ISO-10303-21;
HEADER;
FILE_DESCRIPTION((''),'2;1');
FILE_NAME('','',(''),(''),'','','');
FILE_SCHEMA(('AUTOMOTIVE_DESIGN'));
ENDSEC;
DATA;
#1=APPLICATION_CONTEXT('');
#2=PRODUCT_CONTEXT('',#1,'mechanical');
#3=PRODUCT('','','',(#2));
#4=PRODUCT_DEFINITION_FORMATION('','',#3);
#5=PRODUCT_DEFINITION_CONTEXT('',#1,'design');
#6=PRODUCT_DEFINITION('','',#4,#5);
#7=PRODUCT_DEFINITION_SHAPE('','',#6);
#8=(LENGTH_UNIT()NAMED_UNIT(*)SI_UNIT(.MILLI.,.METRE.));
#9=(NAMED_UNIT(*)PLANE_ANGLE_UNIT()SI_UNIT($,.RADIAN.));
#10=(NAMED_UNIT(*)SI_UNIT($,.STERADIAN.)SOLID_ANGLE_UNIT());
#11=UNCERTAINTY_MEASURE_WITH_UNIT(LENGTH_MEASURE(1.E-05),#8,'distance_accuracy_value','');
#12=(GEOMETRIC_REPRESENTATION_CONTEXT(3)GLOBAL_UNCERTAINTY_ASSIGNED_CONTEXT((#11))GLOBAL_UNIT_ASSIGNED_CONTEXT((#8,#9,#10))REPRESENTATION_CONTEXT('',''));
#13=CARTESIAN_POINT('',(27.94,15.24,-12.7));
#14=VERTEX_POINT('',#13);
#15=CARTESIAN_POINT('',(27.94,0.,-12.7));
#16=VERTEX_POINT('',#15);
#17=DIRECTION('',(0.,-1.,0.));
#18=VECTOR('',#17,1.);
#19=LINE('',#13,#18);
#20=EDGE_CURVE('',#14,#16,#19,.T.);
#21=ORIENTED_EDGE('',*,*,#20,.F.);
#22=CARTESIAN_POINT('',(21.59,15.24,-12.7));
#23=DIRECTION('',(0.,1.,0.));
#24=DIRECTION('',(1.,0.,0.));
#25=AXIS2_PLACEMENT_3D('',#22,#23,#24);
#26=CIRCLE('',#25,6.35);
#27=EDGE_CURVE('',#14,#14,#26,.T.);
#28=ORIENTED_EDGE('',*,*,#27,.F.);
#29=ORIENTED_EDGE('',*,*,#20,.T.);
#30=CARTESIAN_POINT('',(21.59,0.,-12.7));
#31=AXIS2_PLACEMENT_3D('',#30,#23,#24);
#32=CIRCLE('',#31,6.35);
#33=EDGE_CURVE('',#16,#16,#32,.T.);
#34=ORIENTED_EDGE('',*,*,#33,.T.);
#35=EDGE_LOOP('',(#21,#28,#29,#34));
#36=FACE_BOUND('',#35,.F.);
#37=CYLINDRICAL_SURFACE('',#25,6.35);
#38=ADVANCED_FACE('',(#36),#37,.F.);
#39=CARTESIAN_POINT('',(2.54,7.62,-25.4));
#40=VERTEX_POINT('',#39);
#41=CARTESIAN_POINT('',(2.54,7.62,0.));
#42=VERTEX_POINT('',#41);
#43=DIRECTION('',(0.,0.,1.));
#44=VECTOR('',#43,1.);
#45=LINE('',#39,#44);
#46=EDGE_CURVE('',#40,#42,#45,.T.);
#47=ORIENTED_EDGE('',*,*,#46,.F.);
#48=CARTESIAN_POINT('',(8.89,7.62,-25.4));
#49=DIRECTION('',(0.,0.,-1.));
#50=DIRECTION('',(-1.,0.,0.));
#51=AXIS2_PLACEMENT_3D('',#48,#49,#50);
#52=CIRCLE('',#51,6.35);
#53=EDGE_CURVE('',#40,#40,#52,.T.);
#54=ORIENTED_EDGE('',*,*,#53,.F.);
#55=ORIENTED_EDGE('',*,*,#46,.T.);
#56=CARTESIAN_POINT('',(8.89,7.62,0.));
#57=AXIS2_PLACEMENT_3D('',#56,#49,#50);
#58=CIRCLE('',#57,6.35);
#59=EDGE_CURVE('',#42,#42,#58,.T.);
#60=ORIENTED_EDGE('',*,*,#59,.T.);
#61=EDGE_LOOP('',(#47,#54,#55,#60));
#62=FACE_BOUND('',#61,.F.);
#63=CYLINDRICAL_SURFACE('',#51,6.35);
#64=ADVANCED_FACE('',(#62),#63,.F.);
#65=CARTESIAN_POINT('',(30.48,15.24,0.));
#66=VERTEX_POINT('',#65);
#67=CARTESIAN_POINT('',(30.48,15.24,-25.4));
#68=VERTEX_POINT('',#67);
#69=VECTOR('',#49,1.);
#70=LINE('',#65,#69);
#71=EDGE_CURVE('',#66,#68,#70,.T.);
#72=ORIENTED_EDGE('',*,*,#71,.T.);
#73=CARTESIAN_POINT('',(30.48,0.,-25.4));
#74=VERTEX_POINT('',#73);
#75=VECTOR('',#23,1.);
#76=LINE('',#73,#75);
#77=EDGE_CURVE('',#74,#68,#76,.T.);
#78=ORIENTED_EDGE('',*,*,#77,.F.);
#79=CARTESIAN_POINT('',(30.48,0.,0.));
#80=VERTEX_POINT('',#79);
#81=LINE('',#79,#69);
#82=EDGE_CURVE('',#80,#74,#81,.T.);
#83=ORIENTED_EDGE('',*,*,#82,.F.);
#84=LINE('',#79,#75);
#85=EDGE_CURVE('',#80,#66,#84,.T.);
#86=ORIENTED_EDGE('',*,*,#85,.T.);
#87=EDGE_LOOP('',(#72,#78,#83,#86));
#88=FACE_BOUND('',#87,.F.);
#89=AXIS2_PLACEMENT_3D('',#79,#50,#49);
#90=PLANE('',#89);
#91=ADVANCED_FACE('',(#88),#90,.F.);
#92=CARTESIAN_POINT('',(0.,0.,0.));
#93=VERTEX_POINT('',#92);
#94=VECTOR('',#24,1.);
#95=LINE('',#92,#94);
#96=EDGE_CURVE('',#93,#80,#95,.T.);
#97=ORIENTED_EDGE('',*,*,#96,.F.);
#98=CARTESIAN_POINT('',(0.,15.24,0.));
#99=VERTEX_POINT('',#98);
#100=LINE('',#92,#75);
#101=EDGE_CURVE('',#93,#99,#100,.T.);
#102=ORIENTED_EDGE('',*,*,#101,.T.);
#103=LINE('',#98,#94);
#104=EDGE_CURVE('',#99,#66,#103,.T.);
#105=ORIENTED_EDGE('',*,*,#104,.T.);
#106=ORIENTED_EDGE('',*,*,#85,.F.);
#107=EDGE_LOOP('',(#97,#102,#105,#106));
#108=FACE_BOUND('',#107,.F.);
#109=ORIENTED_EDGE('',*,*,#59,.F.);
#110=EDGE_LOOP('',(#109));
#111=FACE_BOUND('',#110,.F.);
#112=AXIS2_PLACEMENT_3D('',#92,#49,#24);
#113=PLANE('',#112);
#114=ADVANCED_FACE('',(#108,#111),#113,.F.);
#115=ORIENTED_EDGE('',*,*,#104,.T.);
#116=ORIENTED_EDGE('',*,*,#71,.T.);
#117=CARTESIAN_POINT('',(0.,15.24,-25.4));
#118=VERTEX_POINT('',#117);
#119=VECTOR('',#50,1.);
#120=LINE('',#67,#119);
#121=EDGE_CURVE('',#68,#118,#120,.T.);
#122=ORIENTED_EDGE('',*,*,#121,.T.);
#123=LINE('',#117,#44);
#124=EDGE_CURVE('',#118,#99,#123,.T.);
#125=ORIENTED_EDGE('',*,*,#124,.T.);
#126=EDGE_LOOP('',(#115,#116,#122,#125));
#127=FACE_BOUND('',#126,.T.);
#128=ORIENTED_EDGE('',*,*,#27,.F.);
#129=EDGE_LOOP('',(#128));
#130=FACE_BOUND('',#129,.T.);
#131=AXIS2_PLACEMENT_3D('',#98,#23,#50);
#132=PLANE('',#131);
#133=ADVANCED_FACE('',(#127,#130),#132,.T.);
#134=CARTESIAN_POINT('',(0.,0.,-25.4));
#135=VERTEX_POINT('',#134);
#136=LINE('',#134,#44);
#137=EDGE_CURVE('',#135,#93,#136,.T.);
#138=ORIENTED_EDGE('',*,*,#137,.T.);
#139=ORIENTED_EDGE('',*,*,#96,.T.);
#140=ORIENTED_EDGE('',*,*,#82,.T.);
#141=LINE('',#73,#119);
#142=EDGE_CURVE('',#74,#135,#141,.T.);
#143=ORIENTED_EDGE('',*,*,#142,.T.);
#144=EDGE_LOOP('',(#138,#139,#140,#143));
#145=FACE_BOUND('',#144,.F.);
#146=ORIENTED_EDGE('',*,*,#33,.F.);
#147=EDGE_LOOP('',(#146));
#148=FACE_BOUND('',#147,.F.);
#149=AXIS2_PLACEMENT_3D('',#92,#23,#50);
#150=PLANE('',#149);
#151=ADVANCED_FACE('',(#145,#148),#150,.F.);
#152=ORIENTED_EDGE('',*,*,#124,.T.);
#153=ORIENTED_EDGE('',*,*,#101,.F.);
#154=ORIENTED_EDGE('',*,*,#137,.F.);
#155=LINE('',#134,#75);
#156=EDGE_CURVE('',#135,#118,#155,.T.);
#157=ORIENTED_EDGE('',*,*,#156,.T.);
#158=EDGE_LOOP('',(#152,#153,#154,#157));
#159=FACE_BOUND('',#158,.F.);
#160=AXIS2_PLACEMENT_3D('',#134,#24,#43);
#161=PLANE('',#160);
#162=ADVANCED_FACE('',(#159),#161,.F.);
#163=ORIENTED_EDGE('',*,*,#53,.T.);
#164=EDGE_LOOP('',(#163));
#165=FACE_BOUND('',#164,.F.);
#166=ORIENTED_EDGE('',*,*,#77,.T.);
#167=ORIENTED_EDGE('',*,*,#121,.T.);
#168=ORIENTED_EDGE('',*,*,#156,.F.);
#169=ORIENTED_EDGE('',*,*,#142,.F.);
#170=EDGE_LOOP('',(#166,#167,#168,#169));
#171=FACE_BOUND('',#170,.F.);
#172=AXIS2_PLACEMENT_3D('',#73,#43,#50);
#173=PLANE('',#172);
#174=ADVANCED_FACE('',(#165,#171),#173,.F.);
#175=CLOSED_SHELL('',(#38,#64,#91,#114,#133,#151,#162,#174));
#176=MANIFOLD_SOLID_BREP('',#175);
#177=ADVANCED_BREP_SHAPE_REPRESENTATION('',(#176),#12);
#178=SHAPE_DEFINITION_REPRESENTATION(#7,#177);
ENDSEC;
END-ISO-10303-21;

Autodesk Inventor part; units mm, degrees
ref_plane "YZ Plane" through (0, 0, 0) normal (1, 0, 0) x (0, 1, 0)
ref_plane "XZ Plane" through (0, 0, 0) normal (0, 1, 0) x (-1, 0, 0)
ref_plane "XY Plane" through (0, 0, 0) normal (0, 0, 1) x (1, 0, 0)
sketch "Sketch1" plane through (0, 0, 0) normal (0, 1, 0) x (-1, 0, 0)
  line L0 (0, 0) -> (-30.48, 0)
  line L1 (-30.48, 0) -> (-30.48, -25.4)
  line L2 (-30.48, -25.4) -> (0, -25.4)
  line L3 (0, -25.4) -> (0, 0)
  dimension "d0" = 30.48
  dimension "d1" = 25.4
extrude "Extrusion1" add sketch "Sketch1" along normal blind 15.24
sketch "Sketch4" plane through (30.48, 0, -25.4) normal (0, 0, -1) x (-1, 0, 0)
  circle A0 centre (21.59, 7.62) radius 6.35
  line L0 (30.48, 0) -> (30.48, 15.24) projected
  dimension "d14" = 12.7
  dimension "d15" = 8.89
extrude "Extrusion4" cut sketch "Sketch4" against normal blind 25.4
sketch "Sketch5" plane through (0, 15.24, 0) normal (0, 1, 0) x (1, 0, 0)
  circle A0 centre (21.59, 12.7) radius 6.35
  line L0 (30.48, 0) -> (30.48, 25.4) projected
  point P0 (0, 0)
  dimension "d18" = 12.7
  dimension "d19" = 8.89
extrude "Extrusion5" cut sketch "Sketch5" against normal blind 15.24
properties part number "Pivot point"
